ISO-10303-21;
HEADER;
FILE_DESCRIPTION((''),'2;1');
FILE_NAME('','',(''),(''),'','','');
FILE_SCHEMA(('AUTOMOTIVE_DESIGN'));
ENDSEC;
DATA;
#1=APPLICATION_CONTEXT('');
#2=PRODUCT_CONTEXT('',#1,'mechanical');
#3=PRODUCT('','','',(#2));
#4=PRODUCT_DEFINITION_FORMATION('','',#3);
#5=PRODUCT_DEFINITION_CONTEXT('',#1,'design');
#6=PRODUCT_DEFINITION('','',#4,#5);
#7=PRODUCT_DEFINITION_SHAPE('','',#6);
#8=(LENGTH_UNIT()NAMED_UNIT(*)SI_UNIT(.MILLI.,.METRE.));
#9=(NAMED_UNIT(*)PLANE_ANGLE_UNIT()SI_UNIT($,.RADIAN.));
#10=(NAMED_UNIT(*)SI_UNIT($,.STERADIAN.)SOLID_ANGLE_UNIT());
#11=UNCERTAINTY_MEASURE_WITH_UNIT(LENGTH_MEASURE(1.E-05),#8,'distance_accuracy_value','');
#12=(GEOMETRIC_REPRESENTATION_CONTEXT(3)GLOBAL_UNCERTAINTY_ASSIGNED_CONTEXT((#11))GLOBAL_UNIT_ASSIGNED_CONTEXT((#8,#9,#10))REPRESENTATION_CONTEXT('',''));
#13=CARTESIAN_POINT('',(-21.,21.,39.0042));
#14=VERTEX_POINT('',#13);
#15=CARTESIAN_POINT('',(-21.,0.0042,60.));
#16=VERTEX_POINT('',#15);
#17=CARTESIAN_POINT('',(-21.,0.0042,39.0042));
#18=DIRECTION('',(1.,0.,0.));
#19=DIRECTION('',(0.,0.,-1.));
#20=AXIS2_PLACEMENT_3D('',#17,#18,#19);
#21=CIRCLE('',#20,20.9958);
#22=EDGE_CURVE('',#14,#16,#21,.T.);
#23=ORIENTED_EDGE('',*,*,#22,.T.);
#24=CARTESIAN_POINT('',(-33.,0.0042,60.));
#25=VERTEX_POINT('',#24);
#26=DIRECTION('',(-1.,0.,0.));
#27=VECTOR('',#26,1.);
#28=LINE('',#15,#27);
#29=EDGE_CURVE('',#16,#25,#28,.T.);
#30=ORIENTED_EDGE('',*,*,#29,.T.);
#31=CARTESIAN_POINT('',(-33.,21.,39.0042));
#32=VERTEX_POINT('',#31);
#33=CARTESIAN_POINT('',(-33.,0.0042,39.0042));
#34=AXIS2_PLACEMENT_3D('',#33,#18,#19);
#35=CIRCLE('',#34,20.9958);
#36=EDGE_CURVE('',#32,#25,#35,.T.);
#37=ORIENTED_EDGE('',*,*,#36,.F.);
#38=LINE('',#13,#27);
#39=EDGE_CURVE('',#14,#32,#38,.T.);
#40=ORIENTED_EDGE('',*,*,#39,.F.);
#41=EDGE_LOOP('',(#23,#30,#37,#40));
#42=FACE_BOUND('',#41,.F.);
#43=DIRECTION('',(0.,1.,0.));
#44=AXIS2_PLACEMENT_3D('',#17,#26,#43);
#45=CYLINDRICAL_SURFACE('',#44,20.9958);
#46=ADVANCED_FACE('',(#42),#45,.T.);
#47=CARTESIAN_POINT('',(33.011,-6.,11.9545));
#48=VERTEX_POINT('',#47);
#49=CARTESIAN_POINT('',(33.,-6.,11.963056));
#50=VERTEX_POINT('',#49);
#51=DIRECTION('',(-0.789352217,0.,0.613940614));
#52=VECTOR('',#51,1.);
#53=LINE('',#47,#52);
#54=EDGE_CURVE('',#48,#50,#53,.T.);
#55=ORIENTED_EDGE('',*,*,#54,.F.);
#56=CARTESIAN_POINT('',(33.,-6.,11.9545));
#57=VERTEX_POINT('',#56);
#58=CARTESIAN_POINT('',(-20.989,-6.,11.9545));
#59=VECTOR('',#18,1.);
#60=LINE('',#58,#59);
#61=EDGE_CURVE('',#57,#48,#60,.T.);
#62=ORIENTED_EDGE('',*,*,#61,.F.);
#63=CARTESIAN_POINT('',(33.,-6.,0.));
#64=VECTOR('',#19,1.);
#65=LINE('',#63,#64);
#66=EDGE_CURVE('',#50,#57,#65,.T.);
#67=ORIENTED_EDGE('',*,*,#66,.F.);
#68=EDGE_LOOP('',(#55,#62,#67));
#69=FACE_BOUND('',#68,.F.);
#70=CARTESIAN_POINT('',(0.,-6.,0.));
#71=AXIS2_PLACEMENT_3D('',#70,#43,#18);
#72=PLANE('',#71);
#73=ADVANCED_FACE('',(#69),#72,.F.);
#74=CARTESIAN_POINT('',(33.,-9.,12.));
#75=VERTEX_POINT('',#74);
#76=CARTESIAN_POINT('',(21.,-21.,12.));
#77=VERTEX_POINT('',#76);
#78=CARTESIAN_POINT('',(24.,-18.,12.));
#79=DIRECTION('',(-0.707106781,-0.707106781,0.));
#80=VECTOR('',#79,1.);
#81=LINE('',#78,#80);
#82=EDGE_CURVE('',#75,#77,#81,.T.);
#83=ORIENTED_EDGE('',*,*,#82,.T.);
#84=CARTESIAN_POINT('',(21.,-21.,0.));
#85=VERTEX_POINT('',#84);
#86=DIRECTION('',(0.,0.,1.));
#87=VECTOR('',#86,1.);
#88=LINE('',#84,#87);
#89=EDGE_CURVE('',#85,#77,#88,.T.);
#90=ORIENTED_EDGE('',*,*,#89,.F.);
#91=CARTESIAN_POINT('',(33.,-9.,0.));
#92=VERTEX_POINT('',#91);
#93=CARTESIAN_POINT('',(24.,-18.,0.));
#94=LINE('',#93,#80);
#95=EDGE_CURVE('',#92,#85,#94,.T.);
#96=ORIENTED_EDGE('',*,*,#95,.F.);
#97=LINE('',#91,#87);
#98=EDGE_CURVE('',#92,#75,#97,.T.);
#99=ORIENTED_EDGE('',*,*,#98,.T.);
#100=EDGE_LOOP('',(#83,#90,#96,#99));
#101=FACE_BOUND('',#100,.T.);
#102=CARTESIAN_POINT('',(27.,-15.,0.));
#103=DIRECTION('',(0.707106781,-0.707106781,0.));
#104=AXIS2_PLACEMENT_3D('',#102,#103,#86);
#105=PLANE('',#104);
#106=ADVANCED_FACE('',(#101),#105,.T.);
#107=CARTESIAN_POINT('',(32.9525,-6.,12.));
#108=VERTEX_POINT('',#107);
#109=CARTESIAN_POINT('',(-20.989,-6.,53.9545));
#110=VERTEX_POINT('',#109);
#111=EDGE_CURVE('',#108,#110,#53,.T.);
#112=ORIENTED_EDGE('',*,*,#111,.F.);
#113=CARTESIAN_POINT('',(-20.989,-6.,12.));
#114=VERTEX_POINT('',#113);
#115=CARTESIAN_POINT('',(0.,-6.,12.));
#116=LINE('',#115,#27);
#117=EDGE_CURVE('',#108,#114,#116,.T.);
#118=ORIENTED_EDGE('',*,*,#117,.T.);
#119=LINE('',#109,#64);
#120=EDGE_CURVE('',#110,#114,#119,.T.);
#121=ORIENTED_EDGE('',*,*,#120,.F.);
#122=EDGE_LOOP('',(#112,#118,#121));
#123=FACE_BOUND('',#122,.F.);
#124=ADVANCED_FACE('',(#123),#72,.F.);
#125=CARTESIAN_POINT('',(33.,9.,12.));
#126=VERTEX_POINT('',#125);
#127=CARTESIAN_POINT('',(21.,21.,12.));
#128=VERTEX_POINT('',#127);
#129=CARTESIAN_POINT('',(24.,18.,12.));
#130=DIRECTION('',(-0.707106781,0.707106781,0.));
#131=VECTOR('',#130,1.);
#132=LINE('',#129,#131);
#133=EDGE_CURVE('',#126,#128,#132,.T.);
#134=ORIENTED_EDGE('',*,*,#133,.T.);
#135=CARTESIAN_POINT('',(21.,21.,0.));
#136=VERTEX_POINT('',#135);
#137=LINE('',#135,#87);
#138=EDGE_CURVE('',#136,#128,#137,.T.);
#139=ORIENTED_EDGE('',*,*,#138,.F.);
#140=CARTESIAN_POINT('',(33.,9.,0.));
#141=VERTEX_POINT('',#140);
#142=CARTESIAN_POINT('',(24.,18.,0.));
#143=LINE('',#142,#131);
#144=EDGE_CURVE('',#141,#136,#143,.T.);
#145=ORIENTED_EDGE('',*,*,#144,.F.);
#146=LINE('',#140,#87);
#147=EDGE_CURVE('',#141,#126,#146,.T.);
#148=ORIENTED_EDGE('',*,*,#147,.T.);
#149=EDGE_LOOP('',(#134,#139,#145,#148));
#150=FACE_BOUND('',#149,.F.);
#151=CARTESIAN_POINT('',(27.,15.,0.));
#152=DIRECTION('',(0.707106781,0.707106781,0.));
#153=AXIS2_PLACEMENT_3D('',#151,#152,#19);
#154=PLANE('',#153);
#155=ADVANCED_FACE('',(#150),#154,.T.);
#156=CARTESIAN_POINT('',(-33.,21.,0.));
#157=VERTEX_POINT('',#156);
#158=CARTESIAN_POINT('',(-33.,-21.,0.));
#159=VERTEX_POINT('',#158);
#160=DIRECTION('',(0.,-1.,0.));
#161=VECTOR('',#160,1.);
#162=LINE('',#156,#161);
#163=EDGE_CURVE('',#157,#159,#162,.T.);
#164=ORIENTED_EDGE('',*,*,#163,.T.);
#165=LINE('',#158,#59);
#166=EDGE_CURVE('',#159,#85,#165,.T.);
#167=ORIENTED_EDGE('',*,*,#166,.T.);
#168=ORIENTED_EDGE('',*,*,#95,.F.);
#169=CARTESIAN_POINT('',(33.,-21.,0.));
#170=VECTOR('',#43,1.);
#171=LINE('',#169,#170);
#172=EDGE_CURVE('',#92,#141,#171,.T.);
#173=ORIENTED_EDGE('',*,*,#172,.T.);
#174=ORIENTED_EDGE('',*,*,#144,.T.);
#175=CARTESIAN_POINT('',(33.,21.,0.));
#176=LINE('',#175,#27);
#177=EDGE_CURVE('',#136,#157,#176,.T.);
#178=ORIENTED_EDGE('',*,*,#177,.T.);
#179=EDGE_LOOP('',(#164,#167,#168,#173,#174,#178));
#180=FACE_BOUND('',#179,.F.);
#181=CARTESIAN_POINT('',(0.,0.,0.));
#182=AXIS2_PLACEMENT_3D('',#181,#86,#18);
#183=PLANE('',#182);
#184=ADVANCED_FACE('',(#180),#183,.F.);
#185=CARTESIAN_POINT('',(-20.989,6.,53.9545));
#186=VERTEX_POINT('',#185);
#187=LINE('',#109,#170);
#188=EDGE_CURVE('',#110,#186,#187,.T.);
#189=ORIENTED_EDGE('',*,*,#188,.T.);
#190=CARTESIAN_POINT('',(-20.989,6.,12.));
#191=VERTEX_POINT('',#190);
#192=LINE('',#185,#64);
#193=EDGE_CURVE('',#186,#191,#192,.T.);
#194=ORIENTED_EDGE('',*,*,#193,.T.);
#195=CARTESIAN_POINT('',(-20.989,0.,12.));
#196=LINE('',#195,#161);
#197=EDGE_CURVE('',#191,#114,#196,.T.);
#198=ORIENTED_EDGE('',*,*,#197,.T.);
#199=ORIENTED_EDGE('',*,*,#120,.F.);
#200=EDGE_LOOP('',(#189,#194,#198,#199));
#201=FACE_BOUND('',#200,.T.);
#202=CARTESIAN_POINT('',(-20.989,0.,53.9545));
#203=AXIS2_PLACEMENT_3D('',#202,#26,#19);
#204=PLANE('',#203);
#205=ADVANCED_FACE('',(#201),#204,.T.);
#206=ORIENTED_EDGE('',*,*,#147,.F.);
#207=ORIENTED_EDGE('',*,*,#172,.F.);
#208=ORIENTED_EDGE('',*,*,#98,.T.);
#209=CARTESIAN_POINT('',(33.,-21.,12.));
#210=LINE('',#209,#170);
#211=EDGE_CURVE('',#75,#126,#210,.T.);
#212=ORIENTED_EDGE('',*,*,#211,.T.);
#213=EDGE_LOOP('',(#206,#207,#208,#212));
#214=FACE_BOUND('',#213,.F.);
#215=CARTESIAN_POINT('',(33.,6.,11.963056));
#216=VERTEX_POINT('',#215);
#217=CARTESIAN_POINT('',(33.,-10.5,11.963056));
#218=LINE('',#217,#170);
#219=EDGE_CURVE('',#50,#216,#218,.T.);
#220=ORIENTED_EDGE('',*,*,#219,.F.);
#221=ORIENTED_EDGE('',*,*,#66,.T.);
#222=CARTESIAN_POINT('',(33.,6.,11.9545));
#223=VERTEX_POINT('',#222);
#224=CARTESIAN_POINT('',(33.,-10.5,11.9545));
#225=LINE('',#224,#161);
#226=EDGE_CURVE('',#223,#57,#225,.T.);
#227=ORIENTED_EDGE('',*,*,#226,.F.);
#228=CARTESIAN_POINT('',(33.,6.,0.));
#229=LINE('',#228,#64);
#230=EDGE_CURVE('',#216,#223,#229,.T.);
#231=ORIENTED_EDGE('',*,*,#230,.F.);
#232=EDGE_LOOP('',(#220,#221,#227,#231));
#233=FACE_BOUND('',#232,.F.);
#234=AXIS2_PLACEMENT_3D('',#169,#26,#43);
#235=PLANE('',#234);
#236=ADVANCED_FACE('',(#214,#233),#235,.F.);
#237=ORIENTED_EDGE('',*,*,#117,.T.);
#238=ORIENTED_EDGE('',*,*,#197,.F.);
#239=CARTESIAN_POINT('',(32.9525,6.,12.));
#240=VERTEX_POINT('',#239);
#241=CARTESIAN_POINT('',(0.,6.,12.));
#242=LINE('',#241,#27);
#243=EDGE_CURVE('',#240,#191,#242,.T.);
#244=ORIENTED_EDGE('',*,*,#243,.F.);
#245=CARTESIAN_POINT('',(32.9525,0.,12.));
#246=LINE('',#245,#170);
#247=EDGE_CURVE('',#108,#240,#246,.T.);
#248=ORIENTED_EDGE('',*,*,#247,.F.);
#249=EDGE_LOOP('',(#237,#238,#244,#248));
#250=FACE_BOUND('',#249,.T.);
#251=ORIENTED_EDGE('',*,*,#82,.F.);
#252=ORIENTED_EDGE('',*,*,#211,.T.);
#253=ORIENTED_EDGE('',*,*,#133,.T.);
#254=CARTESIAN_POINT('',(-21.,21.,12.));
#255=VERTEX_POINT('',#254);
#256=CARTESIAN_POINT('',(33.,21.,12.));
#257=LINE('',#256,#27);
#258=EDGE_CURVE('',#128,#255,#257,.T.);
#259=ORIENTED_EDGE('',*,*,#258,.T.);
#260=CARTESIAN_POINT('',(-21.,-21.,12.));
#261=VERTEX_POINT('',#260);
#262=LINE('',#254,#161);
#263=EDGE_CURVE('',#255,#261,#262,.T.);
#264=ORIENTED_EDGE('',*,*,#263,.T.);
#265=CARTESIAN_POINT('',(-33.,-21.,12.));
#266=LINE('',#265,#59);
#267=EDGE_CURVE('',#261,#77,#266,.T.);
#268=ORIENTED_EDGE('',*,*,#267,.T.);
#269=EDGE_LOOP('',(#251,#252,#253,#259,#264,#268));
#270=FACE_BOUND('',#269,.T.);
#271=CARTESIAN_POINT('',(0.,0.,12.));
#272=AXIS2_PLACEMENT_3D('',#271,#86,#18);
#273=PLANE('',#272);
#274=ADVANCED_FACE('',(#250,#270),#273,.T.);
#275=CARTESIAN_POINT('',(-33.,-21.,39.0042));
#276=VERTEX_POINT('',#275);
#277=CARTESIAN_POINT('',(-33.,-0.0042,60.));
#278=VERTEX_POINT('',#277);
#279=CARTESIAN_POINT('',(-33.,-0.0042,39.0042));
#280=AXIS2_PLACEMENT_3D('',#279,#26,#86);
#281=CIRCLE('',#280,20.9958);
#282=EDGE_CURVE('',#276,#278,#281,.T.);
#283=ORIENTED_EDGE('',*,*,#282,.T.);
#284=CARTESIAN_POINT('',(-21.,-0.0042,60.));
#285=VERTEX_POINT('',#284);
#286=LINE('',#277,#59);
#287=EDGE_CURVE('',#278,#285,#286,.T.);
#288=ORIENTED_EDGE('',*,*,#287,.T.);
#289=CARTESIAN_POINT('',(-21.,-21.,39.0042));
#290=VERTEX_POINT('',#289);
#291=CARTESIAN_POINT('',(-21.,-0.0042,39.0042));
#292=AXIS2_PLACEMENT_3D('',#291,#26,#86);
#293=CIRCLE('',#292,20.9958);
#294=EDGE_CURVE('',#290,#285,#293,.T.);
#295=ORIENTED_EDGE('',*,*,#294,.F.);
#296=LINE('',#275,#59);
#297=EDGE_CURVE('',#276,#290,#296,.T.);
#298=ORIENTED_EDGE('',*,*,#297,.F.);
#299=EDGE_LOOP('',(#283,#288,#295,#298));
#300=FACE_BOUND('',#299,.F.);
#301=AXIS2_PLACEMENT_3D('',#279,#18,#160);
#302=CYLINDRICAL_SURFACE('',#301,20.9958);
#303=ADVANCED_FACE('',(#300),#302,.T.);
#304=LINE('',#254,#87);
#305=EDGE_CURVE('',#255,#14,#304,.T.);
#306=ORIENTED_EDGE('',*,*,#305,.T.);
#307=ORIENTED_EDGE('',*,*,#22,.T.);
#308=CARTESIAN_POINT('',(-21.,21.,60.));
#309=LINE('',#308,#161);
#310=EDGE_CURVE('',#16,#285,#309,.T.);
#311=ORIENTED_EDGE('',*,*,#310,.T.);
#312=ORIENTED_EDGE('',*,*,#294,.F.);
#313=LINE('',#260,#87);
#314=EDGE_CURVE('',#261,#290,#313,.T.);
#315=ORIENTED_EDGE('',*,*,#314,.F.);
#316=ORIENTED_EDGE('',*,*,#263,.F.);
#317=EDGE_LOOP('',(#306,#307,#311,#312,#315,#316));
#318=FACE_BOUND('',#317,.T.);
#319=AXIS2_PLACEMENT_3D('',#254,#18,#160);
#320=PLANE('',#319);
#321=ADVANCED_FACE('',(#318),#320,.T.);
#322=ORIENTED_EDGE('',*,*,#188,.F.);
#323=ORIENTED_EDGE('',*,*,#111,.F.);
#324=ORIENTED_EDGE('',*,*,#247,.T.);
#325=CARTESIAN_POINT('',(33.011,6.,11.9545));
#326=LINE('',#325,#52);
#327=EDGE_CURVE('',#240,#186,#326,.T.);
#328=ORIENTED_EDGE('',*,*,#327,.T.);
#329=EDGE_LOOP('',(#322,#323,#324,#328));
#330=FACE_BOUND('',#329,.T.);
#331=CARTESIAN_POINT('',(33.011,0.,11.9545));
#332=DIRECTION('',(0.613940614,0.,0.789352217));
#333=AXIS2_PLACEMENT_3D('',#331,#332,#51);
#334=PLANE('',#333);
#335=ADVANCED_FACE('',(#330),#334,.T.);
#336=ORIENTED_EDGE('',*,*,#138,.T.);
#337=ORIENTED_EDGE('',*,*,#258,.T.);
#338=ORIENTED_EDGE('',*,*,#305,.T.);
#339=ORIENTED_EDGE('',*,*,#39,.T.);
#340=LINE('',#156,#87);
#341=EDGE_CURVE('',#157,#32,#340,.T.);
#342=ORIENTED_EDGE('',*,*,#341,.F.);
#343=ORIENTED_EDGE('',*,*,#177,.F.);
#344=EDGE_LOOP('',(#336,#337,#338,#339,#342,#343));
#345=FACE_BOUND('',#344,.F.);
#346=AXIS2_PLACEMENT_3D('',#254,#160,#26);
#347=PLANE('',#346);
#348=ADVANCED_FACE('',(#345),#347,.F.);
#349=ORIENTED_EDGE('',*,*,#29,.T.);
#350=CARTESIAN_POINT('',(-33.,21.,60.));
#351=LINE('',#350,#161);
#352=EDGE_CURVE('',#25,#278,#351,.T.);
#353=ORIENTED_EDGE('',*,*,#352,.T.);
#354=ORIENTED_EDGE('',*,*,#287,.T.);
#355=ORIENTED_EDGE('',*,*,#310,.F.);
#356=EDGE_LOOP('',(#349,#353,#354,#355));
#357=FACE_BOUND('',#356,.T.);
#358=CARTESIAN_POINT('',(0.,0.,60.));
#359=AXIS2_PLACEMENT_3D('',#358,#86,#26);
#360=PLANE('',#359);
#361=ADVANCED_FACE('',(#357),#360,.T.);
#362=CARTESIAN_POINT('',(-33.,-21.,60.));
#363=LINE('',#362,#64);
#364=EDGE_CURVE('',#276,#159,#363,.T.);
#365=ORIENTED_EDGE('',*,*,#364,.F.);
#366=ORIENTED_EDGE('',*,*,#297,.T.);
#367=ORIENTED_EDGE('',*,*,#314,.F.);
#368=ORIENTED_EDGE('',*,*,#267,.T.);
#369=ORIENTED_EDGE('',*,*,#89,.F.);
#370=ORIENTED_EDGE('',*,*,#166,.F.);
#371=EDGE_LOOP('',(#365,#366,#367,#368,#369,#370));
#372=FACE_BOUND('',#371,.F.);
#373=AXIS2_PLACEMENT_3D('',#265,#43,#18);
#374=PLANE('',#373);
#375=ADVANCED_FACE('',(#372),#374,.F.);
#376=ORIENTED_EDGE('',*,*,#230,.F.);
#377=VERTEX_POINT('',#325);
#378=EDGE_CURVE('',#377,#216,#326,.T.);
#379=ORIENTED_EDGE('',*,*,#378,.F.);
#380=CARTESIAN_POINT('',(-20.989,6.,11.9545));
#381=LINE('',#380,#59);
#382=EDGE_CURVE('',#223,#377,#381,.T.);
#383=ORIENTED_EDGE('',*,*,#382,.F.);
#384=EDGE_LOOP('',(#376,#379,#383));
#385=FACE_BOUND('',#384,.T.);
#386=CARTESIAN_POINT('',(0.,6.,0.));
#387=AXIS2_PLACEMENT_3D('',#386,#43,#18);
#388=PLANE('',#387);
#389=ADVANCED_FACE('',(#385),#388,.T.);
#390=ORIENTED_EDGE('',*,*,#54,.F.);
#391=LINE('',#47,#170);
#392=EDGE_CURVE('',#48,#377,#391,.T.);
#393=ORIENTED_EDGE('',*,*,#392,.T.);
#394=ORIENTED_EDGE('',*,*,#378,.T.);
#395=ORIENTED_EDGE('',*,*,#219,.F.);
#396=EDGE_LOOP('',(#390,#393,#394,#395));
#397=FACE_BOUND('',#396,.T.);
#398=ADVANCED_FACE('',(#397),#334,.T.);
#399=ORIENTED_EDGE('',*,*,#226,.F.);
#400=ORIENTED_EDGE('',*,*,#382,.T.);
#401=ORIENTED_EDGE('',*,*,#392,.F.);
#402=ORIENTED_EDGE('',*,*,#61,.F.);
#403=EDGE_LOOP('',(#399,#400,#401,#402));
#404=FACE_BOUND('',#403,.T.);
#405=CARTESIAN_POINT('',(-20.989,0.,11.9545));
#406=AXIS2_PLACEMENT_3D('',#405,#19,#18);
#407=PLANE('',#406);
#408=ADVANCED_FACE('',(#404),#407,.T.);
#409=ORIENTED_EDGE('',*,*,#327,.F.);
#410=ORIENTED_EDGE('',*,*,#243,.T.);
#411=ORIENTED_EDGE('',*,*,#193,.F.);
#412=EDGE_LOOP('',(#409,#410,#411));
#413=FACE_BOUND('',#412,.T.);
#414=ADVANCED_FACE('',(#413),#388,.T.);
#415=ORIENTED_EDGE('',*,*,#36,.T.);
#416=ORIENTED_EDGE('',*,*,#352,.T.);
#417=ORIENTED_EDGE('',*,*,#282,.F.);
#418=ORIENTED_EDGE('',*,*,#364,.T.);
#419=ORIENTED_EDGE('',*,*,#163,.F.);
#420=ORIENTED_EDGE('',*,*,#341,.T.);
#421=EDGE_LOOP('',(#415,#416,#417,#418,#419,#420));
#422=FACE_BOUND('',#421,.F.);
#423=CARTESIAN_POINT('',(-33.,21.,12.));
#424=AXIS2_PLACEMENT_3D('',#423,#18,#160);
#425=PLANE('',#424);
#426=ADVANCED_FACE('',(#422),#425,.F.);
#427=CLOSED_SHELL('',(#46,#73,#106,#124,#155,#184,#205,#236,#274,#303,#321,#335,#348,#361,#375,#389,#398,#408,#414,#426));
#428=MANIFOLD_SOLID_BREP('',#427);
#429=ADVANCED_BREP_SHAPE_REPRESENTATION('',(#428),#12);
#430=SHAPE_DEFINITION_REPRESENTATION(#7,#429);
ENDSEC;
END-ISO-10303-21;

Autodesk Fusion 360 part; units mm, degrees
sketch "Baza" plane through (0, 0, 0) normal (0, 0, 1) x (1, 0, 0)
  line L0 (33, 21) -> (-33, 21)
  line L1 (-33, 21) -> (-33, -21)
  line L2 (-33, -21) -> (33, -21)
  line L3 (33, -21) -> (33, 21)
  line L4 (33, 21) -> (-33, -21) construction
  line L5 (-33, 21) -> (33, -21) construction
  dimension "d1" = 42
  dimension "d2" = 66
extrude "Extrude1" add sketch "Baza" along normal blind 12
chamfer "Chamfer1" distance 12 angle 45 2 edges at (33, -21, 6) (33, 21, 6)
sketch "Baza 2" plane through (0, 0, 12) normal (0, 0, 1) x (-1, 0, 0)
  line L0 (-33, -9) -> (-21, -21)
  line L1 (-21, -21) -> (33, -21)
  line L2 (33, -21) -> (33, 21)
  line L3 (33, 21) -> (-21, 21)
  line L4 (-21, 21) -> (-33, 9)
  line L5 (-33, 9) -> (-33, -9)
  line L6 (33, -21) -> (21, -21)
  line L7 (21, -21) -> (21, 21)
  line L8 (21, 21) -> (33, 21)
  line L9 (33, 21) -> (33, -21)
  dimension "d9" = 12
extrude "Extrude3" add sketch "Baza 2" along normal blind 48 contours L1 L2 L3 L6 L7 L8 L9
fillet "Fillet1" radius 21 2 edges at (-27, -21, 60) (-27, 21, 60)
sketch "Triunghi" plane through (0, 0, 0) normal (0, 1, 0) x (1, 0, 0)
  line L0 (-20.989, -53.9545) -> (-20.989, -11.9545)
  line L1 (-20.989, -11.9545) -> (33.011, -11.9545)
  line L2 (33.011, -11.9545) -> (-20.989, -53.9545)
  dimension "d14" = 42
  dimension "d15" = 54
extrude "Extrude4" add sketch "Triunghi" along normal mid plane 12
equation "d10 = 60 mm - 12 mm"
equation "d15 = 66 mm - 12 mm"
